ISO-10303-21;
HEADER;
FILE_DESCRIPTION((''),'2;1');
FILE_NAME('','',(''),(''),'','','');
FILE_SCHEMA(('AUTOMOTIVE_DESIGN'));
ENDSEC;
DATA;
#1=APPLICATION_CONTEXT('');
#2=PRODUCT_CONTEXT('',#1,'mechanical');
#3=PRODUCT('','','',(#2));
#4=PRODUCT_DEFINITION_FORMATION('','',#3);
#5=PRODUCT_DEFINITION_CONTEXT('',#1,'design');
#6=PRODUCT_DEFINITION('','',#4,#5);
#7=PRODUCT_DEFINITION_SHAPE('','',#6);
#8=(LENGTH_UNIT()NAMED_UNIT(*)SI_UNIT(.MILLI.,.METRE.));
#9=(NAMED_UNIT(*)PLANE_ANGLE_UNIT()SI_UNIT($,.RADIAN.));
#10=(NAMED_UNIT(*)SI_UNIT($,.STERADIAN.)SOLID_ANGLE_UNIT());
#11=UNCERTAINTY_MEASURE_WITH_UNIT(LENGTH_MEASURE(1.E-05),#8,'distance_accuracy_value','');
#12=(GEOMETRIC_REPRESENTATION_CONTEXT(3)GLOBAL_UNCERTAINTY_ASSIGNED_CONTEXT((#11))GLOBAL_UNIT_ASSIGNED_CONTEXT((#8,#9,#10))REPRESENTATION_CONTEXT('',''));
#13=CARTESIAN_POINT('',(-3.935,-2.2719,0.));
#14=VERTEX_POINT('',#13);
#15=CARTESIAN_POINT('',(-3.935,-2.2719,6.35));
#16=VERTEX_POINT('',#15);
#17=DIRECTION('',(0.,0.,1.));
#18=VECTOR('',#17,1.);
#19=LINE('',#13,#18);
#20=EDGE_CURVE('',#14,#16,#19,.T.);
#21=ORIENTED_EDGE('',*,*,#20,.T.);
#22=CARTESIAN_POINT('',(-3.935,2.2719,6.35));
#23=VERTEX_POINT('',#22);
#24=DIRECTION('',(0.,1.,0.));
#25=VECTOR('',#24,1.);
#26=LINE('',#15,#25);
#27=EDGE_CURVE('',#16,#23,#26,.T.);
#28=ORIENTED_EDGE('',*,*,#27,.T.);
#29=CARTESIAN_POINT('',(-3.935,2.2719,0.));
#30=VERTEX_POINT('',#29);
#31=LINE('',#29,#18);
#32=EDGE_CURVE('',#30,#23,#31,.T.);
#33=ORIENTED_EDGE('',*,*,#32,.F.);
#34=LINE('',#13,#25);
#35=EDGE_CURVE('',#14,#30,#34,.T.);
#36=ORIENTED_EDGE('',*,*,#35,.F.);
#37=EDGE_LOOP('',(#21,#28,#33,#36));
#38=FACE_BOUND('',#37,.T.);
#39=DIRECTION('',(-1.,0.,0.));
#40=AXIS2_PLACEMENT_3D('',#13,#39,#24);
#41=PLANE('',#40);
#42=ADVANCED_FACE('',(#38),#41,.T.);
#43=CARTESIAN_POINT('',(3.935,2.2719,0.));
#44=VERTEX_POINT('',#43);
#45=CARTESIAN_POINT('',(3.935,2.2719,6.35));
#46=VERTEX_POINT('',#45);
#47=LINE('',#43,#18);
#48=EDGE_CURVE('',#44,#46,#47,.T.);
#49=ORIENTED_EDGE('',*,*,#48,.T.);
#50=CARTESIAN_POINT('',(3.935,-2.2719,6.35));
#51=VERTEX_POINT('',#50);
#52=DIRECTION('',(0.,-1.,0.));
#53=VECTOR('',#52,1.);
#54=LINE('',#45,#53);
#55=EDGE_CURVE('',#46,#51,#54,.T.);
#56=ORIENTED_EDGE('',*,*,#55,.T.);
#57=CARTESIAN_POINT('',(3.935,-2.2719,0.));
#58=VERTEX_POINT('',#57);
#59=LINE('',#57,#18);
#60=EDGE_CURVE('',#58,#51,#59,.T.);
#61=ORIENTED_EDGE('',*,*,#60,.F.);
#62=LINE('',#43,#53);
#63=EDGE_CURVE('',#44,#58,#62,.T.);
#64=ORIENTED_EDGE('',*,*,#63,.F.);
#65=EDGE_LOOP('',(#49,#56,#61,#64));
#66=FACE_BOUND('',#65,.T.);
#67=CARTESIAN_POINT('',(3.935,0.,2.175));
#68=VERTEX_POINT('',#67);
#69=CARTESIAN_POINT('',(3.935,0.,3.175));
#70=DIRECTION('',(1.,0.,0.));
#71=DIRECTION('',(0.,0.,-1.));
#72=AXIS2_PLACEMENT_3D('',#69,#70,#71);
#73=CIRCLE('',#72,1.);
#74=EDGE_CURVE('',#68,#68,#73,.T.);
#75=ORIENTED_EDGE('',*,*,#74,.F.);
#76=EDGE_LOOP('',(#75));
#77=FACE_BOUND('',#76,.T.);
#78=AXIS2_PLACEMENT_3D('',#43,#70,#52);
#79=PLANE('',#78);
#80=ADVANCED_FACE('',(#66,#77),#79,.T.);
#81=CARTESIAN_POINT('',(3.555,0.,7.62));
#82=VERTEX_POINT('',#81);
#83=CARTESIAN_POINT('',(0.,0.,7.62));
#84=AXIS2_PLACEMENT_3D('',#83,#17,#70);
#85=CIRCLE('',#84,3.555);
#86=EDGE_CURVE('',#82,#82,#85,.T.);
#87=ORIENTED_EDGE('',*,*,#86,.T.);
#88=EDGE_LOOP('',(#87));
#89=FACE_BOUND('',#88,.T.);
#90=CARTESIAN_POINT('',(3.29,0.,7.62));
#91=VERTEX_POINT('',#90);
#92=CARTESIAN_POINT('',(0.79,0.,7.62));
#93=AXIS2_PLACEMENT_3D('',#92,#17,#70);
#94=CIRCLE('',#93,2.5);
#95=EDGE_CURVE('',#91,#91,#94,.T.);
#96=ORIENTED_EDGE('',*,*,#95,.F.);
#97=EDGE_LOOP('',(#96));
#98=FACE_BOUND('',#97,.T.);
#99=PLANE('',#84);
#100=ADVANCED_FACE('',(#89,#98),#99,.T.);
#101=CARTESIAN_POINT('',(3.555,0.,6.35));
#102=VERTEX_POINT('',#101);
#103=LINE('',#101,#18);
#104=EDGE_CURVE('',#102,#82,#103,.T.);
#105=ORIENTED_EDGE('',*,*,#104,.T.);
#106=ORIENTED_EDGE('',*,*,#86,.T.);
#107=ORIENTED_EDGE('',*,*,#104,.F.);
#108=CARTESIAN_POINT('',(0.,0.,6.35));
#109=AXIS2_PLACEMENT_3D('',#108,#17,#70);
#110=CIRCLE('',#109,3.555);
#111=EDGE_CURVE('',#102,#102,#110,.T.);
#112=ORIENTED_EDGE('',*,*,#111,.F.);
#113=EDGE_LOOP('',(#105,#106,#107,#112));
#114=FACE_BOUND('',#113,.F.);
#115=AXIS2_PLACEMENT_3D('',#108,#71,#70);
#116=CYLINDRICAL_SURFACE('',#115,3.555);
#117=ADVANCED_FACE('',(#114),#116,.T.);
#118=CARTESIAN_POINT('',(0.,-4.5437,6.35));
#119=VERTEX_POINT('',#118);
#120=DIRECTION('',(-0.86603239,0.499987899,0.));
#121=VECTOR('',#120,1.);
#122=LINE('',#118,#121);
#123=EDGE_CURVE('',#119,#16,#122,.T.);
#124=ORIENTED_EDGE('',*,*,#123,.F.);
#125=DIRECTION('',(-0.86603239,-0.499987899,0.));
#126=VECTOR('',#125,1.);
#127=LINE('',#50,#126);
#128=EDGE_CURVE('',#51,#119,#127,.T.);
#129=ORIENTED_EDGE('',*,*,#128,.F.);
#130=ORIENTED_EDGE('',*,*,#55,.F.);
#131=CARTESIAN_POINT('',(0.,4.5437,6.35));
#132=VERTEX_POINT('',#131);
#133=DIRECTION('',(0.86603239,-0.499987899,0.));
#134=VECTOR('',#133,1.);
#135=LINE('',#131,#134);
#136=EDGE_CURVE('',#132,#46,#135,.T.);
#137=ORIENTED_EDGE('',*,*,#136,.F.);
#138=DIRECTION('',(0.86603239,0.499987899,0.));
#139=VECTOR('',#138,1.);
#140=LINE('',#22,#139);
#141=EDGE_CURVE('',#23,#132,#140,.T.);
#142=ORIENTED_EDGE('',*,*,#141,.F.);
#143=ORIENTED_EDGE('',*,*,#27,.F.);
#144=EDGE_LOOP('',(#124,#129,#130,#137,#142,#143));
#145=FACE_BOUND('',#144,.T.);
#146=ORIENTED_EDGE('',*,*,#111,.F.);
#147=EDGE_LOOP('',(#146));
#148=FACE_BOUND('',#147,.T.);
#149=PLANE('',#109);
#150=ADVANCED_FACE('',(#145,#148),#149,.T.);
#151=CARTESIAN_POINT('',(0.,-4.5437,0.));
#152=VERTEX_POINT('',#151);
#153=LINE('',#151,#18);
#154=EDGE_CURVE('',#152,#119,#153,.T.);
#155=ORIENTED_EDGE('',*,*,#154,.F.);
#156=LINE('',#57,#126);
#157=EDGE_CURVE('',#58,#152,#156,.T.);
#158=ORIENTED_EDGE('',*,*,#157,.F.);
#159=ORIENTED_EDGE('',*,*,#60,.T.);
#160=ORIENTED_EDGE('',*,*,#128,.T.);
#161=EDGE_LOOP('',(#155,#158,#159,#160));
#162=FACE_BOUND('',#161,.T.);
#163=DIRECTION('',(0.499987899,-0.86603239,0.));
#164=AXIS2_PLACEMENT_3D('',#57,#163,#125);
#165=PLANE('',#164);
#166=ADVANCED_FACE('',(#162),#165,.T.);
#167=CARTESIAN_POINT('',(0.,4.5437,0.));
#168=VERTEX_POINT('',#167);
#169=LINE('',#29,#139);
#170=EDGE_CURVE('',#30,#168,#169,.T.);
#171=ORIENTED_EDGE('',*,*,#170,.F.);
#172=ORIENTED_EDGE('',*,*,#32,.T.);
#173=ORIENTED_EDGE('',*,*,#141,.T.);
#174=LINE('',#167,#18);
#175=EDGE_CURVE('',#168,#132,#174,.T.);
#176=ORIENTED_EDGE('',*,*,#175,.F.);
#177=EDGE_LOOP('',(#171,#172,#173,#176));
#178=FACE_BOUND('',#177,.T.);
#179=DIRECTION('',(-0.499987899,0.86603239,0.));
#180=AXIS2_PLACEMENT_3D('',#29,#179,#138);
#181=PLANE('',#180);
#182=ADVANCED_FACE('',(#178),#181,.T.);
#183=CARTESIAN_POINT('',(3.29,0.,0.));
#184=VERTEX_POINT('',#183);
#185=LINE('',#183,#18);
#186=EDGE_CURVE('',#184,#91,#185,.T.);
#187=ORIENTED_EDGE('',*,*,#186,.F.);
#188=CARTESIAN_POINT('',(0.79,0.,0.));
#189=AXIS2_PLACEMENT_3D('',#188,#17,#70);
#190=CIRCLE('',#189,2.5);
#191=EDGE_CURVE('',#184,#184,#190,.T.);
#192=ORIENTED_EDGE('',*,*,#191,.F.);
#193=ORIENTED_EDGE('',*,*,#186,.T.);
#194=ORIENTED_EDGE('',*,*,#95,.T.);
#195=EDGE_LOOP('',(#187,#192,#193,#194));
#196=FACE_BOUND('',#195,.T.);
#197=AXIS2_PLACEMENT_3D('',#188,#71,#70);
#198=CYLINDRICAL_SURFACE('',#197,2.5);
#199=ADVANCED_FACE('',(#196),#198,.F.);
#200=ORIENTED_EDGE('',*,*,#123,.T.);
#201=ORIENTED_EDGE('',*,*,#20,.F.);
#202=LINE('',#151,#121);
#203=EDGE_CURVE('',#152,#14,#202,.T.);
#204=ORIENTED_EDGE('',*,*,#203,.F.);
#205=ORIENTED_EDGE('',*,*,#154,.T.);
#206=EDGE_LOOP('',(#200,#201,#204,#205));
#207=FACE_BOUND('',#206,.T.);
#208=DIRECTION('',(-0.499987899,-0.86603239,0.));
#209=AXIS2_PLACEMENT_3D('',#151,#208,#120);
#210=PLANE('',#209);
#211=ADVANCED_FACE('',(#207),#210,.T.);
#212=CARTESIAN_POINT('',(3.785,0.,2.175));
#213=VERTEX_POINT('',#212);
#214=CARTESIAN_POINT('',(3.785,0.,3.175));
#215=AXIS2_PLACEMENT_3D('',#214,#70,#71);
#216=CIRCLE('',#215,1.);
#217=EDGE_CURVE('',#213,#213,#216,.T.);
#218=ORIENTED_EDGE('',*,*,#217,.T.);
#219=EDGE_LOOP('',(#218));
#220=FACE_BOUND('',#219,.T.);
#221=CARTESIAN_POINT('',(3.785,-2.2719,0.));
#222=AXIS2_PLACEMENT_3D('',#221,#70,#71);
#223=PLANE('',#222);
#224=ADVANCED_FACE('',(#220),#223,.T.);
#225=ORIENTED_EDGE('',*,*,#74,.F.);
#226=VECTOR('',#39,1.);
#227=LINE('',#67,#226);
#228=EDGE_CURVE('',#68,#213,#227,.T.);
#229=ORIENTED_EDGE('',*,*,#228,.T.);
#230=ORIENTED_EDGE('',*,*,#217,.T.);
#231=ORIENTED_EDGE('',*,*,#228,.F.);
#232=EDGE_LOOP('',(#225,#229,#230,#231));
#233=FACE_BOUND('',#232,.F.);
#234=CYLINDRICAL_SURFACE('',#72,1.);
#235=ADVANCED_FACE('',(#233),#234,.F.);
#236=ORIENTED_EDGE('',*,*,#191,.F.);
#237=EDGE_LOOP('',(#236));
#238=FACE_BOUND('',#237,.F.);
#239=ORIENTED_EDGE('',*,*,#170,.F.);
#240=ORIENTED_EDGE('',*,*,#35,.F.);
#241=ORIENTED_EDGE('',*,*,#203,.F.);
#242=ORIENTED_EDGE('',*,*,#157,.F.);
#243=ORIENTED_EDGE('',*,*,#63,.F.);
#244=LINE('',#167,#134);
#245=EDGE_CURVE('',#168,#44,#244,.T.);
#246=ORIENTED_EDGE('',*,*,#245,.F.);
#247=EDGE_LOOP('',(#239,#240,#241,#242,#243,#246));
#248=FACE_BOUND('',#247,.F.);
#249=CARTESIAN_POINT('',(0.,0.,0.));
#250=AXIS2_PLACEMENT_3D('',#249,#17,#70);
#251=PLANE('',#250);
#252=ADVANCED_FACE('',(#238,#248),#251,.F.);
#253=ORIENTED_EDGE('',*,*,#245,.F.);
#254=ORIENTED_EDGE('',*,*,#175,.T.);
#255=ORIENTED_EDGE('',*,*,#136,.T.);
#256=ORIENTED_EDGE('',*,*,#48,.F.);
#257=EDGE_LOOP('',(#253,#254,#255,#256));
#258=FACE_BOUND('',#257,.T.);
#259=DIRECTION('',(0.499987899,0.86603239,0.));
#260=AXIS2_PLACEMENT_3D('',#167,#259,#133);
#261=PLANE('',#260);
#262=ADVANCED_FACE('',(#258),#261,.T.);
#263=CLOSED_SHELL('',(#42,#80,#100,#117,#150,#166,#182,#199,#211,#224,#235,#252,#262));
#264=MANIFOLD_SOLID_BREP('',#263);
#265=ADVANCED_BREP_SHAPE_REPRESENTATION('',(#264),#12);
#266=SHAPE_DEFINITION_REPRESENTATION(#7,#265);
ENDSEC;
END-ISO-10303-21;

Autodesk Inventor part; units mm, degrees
ref_plane "YZ Plane" through (0, 0, 0) normal (1, 0, 0) x (0, 1, 0)
ref_plane "XZ Plane" through (0, 0, 0) normal (0, 1, 0) x (-1, 0, 0)
ref_plane "XY Plane" through (0, 0, 0) normal (0, 0, 1) x (1, 0, 0)
sketch "Sketch1" plane through (0, 0, 0) normal (0, 0, 1) x (1, 0, 0)
  line L0 (3.935, -2.2719) -> (0, -4.5437)
  line L1 (0, -4.5437) -> (-3.935, -2.2719)
  line L2 (-3.935, -2.2719) -> (-3.935, 2.2719)
  line L3 (-3.935, 2.2719) -> (0, 4.5437)
  line L4 (0, 4.5437) -> (3.935, 2.2719)
  line L5 (3.935, 2.2719) -> (3.935, -2.2719)
  circle A0 centre (0.79, 0) radius 2.5
  point P0 (0, 0)
  point P1 (0, 0)
  dimension "d0" = 7.87
  dimension "d1" = 0.79
  dimension "d2" = 5
extrude "Extrusion1" add sketch "Sketch1" along normal blind 6.35
sketch "Sketch2" plane through (0, 0, 6.35) normal (0, 0, 1) x (1, 0, 0)
  circle A0 centre (0.79, 0) radius 2.5 projected
  circle A1 centre (0, 0) radius 3.555
  dimension "d5" = 7.11
extrude "Extrusion2" add sketch "Sketch2" along normal blind 1.27
sketch "Sketch3" plane through (3.935, -2.2719, 0) normal (1, 0, 0) x (0, 0, -1)
  circle A0 centre (-3.175, 2.2719) radius 1
  point P0 (0, 2.2719)
  dimension "d8" = 2
extrude "Extrusion3" cut sketch "Sketch3" against normal blind 0.15
properties part number "Eccentric M5 Spacer" material "Stainless Steel"
